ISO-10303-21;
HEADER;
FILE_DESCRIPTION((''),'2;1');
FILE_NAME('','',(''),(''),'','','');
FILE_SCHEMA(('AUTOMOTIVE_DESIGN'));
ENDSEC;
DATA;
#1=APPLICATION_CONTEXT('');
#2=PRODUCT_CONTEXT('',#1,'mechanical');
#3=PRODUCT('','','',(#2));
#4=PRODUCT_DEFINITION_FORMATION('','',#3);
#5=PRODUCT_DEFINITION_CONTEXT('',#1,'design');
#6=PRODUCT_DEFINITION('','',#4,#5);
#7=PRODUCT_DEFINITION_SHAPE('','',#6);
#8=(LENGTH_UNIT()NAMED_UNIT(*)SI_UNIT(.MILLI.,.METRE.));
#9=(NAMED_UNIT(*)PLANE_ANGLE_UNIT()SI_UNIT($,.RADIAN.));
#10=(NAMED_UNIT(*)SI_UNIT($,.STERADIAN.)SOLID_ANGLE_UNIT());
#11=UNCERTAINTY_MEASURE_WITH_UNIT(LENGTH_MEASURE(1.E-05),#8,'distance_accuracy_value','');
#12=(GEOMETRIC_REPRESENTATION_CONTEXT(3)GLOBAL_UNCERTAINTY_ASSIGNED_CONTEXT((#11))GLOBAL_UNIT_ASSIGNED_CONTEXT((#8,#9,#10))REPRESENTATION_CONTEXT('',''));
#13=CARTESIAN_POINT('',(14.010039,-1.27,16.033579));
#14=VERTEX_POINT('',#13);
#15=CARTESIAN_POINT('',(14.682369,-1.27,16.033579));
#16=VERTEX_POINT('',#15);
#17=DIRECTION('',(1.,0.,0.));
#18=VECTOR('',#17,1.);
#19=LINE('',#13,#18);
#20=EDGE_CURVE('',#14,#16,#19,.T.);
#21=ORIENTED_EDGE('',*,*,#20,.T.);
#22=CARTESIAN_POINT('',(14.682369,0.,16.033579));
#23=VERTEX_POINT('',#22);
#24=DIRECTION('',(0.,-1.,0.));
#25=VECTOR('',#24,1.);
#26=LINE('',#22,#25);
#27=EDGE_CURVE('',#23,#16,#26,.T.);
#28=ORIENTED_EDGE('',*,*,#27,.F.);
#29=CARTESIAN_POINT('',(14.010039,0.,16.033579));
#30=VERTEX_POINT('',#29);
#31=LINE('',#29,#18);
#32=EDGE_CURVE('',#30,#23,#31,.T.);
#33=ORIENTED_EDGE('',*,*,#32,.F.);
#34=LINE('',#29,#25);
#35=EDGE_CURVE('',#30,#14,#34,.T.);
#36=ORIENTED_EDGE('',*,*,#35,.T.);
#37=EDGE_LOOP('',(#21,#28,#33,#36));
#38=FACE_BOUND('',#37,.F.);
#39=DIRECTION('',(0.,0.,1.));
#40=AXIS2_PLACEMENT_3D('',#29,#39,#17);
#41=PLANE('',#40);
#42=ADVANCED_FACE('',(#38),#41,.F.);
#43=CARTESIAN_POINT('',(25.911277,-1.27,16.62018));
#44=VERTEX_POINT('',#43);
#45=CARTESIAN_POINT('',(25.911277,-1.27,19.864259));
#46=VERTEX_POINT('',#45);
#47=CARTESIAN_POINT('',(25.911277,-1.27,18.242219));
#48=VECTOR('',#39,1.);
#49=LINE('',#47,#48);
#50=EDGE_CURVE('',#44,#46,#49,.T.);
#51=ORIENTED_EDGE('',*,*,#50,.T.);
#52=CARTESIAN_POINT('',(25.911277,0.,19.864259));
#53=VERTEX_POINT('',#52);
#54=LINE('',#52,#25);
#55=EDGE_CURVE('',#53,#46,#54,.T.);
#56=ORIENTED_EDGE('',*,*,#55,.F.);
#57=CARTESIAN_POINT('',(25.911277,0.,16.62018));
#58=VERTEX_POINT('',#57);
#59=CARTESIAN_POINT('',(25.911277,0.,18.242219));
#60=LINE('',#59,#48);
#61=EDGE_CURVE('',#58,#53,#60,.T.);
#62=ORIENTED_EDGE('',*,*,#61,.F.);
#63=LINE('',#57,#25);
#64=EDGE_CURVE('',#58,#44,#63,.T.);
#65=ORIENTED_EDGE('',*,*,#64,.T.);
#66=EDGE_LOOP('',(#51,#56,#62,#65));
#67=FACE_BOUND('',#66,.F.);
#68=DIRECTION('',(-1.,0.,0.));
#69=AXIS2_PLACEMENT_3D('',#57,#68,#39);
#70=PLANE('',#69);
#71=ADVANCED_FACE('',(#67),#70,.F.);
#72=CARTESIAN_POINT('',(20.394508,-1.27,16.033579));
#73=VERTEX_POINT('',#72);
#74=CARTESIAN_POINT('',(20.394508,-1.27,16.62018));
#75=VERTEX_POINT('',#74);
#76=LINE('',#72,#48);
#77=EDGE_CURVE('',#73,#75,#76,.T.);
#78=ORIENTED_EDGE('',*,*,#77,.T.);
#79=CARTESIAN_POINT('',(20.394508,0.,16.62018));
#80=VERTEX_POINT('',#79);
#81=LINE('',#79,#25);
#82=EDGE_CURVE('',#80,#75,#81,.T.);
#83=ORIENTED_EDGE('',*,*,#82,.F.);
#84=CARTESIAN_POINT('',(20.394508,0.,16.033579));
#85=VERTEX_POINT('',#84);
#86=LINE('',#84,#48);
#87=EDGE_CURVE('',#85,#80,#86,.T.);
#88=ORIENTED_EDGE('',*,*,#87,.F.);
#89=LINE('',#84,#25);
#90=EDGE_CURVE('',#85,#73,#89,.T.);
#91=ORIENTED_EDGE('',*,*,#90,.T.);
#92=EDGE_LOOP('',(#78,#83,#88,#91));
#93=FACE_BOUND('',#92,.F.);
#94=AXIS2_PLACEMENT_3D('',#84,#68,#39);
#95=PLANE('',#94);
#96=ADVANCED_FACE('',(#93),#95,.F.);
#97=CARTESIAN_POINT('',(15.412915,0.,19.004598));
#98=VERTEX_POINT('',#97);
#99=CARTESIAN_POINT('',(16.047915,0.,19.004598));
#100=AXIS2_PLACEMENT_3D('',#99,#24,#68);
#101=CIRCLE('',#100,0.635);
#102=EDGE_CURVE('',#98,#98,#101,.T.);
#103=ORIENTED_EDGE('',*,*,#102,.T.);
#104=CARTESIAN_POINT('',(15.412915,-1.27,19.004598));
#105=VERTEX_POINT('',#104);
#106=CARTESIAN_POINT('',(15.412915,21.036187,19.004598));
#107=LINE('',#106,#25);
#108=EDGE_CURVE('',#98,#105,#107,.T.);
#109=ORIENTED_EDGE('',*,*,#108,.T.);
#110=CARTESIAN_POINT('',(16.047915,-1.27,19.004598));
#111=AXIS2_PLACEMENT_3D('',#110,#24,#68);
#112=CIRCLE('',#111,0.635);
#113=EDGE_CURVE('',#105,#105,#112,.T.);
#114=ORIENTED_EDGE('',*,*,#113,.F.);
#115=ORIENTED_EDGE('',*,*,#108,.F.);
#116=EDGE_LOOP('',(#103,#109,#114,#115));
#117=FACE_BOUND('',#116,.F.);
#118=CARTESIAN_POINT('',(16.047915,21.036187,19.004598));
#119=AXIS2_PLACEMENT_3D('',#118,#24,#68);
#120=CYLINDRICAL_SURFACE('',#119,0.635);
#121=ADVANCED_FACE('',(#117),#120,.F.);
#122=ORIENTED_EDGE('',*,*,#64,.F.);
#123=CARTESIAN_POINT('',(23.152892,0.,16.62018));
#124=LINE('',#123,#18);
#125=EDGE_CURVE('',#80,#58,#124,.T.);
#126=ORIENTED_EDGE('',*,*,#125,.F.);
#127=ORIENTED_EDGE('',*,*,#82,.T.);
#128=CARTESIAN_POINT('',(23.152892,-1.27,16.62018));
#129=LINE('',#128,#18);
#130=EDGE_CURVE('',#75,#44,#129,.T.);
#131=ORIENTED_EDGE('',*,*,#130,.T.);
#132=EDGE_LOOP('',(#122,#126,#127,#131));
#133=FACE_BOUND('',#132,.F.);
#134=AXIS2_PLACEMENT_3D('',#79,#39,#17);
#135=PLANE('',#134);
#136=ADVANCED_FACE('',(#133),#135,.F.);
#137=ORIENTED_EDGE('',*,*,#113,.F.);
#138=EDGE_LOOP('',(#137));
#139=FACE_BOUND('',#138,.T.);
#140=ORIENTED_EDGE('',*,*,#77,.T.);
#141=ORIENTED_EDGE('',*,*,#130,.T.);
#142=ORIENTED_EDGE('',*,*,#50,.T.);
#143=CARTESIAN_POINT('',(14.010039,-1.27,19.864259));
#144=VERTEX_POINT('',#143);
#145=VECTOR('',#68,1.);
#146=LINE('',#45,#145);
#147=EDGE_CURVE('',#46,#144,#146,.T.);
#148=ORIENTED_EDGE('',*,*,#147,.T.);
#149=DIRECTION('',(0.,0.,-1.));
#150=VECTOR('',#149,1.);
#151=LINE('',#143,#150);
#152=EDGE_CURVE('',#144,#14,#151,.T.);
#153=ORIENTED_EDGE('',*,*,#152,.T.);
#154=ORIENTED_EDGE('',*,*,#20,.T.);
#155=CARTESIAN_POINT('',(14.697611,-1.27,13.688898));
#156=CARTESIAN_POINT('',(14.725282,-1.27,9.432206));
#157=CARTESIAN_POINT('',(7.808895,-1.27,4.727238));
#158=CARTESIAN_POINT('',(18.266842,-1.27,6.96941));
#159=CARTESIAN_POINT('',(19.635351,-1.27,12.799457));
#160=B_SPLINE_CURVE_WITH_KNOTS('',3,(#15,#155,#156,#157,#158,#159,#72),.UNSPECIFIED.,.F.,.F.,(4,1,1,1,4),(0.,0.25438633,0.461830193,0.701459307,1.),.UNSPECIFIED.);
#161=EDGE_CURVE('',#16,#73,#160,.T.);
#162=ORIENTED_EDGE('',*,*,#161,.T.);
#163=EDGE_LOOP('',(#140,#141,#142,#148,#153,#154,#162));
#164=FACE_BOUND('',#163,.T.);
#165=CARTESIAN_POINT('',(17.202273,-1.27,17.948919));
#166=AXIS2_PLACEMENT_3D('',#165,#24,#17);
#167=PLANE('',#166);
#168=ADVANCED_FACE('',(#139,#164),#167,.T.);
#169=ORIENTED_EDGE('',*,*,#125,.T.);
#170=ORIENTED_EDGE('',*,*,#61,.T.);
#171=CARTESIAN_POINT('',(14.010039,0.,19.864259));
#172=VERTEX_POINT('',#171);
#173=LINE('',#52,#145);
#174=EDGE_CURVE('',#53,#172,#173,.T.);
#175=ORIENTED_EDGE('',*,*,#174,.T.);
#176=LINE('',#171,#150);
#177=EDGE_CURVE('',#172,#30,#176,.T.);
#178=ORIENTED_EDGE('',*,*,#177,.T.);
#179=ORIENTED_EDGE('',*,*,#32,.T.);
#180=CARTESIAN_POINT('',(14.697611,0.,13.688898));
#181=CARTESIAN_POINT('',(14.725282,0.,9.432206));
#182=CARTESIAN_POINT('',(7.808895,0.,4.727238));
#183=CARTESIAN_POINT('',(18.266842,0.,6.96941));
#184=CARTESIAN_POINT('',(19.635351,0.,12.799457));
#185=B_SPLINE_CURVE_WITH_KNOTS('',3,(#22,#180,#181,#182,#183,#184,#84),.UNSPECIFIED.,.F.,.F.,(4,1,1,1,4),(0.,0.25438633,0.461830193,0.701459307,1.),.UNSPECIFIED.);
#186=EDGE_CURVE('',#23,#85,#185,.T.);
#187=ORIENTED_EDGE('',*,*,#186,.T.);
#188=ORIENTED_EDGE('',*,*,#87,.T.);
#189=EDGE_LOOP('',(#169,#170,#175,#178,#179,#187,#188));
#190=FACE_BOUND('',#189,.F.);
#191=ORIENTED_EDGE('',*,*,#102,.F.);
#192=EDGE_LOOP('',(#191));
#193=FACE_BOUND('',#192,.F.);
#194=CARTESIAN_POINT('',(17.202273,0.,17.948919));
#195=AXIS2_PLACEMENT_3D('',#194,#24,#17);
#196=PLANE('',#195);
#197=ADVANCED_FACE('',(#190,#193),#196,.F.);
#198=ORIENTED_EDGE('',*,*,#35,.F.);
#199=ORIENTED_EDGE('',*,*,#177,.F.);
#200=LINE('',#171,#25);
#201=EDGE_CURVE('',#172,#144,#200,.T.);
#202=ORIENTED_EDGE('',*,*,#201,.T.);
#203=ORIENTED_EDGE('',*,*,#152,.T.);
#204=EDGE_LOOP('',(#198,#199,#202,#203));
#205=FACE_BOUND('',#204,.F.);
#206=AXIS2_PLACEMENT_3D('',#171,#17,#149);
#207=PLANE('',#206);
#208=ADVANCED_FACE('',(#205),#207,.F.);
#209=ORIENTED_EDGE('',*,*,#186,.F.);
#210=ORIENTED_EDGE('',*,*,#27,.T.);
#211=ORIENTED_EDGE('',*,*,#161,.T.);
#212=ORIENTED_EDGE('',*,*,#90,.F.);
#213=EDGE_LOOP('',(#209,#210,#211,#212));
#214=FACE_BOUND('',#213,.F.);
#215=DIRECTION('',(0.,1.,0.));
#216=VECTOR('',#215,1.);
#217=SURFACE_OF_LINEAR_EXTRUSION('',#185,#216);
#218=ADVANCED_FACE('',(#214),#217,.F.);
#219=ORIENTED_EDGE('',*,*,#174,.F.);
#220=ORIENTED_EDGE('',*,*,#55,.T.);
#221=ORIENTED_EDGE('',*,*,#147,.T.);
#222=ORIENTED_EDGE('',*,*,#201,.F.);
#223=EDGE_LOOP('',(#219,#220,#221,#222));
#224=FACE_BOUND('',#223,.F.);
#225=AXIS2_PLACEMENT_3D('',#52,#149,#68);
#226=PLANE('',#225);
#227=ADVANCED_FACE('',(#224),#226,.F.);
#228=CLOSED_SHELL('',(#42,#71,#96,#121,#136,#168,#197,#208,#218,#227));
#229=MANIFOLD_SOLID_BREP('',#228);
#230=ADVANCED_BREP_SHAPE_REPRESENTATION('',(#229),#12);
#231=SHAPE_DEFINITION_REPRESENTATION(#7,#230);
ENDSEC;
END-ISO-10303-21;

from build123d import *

# Parameters (mm, degrees)
F0_W     = 5.5167693645
F0_H     = 3.2440796494
F1_DEPTH = 1.27
F2_D     = 1.27


with BuildPart() as f1:
    # F0 (on Front) → F1 (new body)
    with BuildSketch(Plane.XZ):
        Polygon((20.3945077956, 19.8642592877), (14.0100391582, 19.8642592877), (14.0100391582, 19.0045982599), (14.0100391582, 16.0335786641), (14.6823693067, 16.0335786641), (20.3945077956, 16.0335786641), (20.3945077956, 16.6201796383), align=None)
        with Locations((23.1528924778, 18.242219463)):
            Rectangle(F0_W, F0_H)
        with BuildLine():
            add(Edge.make_bspline(
                [(14.6823693067, 16.0335786641), (14.6976111513, 13.688898195), (14.7252822297, 9.4322062756), (7.808894748, 4.7272378155), (18.2668424983, 6.9694097061), (19.635350748, 12.7994573226), (20.3945077956, 16.0335786641)],
                knots=[0, 0, 0, 0, 0.2543863298, 0.4618301934, 0.7014593068, 1, 1, 1, 1], degree=3))
            Line((20.3945077956, 16.0335786641), (14.6823693067, 16.0335786641))
        make_face()
    extrude(amount=F1_DEPTH)

    # F2 (through all)
    with Locations(Plane(origin=(0, 0, 0), x_dir=(1, 0, 0), z_dir=(0, 1, 0))):
        with Locations((16.0479154438, -19.0045982599)):
            Hole(F2_D / 2)


solid = f1.part
